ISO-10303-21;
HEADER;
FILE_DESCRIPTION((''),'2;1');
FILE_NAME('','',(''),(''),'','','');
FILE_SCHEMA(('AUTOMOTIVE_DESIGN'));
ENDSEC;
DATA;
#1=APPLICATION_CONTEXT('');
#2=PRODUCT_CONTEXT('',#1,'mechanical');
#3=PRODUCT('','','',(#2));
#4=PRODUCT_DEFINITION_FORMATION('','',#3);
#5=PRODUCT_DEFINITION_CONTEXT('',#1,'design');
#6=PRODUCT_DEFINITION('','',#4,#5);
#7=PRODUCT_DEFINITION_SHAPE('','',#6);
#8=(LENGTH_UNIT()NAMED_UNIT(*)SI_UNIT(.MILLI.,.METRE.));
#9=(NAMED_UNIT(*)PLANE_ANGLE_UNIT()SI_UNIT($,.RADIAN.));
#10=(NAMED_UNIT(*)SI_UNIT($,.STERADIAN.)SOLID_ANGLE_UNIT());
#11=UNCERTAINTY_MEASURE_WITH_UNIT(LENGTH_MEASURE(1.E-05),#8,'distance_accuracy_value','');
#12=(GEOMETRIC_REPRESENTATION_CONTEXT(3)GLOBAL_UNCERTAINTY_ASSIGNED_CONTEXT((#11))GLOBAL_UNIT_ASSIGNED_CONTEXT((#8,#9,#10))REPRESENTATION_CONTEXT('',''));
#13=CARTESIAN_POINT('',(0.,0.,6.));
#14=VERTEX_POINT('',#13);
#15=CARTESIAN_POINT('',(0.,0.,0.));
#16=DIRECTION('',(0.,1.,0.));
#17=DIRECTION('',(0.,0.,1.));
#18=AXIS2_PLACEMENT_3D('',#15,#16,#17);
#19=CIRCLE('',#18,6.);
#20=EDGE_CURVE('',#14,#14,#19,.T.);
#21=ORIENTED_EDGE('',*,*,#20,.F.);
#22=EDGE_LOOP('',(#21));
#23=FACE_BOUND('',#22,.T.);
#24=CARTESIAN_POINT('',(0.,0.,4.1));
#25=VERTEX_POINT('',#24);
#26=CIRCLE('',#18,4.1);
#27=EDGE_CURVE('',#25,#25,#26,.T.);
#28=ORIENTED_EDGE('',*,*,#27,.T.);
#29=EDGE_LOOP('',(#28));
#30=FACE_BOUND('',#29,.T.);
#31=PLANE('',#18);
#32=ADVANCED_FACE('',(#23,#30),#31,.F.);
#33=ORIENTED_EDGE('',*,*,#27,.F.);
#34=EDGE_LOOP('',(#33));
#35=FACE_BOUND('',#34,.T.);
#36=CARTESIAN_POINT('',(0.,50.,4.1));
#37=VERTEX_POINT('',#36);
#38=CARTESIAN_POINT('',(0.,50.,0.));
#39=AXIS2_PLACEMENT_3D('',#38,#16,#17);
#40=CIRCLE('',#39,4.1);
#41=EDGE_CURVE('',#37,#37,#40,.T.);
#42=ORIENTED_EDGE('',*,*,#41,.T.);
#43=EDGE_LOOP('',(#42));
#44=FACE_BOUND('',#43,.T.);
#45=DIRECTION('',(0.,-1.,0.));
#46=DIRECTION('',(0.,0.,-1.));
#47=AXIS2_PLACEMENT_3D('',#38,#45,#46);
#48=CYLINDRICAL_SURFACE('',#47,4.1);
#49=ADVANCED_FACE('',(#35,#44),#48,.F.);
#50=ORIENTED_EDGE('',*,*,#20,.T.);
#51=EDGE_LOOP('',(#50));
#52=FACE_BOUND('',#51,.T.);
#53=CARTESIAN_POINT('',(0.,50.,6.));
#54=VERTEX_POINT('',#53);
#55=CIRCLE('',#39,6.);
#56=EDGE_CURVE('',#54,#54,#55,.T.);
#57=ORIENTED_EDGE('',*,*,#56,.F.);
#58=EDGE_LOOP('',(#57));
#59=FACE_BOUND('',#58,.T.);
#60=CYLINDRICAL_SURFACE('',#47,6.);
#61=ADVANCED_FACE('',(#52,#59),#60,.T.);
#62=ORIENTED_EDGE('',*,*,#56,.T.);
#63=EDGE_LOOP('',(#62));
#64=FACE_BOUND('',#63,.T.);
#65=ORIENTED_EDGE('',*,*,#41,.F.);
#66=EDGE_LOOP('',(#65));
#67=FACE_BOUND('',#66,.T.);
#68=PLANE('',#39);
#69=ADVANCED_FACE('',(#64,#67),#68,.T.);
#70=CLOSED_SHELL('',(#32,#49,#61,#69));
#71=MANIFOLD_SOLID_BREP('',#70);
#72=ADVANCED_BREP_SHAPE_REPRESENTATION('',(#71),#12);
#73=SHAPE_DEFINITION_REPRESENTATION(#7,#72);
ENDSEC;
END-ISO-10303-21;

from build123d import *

# Parameters (mm, degrees)
SKETCH1_R           = 6
SKETCH1_R_2         = 4.1
BOSS_EXTRUDE1_DEPTH = 50


with BuildPart() as part:
    # Sketch1 → Boss-Extrude1 (new body)
    with BuildSketch(Plane(origin=(0, 0, 0), x_dir=(1, 0, 0), z_dir=(0, 1, 0))):
        with Locations(Location((0, 0, 0), (0, 0, 270))):
            Circle(SKETCH1_R)
        with Locations(Location((0, 0, 0), (0, 0, 270))):
            Circle(SKETCH1_R_2, mode=Mode.SUBTRACT)
    extrude(amount=BOSS_EXTRUDE1_DEPTH)


solid = part.part
